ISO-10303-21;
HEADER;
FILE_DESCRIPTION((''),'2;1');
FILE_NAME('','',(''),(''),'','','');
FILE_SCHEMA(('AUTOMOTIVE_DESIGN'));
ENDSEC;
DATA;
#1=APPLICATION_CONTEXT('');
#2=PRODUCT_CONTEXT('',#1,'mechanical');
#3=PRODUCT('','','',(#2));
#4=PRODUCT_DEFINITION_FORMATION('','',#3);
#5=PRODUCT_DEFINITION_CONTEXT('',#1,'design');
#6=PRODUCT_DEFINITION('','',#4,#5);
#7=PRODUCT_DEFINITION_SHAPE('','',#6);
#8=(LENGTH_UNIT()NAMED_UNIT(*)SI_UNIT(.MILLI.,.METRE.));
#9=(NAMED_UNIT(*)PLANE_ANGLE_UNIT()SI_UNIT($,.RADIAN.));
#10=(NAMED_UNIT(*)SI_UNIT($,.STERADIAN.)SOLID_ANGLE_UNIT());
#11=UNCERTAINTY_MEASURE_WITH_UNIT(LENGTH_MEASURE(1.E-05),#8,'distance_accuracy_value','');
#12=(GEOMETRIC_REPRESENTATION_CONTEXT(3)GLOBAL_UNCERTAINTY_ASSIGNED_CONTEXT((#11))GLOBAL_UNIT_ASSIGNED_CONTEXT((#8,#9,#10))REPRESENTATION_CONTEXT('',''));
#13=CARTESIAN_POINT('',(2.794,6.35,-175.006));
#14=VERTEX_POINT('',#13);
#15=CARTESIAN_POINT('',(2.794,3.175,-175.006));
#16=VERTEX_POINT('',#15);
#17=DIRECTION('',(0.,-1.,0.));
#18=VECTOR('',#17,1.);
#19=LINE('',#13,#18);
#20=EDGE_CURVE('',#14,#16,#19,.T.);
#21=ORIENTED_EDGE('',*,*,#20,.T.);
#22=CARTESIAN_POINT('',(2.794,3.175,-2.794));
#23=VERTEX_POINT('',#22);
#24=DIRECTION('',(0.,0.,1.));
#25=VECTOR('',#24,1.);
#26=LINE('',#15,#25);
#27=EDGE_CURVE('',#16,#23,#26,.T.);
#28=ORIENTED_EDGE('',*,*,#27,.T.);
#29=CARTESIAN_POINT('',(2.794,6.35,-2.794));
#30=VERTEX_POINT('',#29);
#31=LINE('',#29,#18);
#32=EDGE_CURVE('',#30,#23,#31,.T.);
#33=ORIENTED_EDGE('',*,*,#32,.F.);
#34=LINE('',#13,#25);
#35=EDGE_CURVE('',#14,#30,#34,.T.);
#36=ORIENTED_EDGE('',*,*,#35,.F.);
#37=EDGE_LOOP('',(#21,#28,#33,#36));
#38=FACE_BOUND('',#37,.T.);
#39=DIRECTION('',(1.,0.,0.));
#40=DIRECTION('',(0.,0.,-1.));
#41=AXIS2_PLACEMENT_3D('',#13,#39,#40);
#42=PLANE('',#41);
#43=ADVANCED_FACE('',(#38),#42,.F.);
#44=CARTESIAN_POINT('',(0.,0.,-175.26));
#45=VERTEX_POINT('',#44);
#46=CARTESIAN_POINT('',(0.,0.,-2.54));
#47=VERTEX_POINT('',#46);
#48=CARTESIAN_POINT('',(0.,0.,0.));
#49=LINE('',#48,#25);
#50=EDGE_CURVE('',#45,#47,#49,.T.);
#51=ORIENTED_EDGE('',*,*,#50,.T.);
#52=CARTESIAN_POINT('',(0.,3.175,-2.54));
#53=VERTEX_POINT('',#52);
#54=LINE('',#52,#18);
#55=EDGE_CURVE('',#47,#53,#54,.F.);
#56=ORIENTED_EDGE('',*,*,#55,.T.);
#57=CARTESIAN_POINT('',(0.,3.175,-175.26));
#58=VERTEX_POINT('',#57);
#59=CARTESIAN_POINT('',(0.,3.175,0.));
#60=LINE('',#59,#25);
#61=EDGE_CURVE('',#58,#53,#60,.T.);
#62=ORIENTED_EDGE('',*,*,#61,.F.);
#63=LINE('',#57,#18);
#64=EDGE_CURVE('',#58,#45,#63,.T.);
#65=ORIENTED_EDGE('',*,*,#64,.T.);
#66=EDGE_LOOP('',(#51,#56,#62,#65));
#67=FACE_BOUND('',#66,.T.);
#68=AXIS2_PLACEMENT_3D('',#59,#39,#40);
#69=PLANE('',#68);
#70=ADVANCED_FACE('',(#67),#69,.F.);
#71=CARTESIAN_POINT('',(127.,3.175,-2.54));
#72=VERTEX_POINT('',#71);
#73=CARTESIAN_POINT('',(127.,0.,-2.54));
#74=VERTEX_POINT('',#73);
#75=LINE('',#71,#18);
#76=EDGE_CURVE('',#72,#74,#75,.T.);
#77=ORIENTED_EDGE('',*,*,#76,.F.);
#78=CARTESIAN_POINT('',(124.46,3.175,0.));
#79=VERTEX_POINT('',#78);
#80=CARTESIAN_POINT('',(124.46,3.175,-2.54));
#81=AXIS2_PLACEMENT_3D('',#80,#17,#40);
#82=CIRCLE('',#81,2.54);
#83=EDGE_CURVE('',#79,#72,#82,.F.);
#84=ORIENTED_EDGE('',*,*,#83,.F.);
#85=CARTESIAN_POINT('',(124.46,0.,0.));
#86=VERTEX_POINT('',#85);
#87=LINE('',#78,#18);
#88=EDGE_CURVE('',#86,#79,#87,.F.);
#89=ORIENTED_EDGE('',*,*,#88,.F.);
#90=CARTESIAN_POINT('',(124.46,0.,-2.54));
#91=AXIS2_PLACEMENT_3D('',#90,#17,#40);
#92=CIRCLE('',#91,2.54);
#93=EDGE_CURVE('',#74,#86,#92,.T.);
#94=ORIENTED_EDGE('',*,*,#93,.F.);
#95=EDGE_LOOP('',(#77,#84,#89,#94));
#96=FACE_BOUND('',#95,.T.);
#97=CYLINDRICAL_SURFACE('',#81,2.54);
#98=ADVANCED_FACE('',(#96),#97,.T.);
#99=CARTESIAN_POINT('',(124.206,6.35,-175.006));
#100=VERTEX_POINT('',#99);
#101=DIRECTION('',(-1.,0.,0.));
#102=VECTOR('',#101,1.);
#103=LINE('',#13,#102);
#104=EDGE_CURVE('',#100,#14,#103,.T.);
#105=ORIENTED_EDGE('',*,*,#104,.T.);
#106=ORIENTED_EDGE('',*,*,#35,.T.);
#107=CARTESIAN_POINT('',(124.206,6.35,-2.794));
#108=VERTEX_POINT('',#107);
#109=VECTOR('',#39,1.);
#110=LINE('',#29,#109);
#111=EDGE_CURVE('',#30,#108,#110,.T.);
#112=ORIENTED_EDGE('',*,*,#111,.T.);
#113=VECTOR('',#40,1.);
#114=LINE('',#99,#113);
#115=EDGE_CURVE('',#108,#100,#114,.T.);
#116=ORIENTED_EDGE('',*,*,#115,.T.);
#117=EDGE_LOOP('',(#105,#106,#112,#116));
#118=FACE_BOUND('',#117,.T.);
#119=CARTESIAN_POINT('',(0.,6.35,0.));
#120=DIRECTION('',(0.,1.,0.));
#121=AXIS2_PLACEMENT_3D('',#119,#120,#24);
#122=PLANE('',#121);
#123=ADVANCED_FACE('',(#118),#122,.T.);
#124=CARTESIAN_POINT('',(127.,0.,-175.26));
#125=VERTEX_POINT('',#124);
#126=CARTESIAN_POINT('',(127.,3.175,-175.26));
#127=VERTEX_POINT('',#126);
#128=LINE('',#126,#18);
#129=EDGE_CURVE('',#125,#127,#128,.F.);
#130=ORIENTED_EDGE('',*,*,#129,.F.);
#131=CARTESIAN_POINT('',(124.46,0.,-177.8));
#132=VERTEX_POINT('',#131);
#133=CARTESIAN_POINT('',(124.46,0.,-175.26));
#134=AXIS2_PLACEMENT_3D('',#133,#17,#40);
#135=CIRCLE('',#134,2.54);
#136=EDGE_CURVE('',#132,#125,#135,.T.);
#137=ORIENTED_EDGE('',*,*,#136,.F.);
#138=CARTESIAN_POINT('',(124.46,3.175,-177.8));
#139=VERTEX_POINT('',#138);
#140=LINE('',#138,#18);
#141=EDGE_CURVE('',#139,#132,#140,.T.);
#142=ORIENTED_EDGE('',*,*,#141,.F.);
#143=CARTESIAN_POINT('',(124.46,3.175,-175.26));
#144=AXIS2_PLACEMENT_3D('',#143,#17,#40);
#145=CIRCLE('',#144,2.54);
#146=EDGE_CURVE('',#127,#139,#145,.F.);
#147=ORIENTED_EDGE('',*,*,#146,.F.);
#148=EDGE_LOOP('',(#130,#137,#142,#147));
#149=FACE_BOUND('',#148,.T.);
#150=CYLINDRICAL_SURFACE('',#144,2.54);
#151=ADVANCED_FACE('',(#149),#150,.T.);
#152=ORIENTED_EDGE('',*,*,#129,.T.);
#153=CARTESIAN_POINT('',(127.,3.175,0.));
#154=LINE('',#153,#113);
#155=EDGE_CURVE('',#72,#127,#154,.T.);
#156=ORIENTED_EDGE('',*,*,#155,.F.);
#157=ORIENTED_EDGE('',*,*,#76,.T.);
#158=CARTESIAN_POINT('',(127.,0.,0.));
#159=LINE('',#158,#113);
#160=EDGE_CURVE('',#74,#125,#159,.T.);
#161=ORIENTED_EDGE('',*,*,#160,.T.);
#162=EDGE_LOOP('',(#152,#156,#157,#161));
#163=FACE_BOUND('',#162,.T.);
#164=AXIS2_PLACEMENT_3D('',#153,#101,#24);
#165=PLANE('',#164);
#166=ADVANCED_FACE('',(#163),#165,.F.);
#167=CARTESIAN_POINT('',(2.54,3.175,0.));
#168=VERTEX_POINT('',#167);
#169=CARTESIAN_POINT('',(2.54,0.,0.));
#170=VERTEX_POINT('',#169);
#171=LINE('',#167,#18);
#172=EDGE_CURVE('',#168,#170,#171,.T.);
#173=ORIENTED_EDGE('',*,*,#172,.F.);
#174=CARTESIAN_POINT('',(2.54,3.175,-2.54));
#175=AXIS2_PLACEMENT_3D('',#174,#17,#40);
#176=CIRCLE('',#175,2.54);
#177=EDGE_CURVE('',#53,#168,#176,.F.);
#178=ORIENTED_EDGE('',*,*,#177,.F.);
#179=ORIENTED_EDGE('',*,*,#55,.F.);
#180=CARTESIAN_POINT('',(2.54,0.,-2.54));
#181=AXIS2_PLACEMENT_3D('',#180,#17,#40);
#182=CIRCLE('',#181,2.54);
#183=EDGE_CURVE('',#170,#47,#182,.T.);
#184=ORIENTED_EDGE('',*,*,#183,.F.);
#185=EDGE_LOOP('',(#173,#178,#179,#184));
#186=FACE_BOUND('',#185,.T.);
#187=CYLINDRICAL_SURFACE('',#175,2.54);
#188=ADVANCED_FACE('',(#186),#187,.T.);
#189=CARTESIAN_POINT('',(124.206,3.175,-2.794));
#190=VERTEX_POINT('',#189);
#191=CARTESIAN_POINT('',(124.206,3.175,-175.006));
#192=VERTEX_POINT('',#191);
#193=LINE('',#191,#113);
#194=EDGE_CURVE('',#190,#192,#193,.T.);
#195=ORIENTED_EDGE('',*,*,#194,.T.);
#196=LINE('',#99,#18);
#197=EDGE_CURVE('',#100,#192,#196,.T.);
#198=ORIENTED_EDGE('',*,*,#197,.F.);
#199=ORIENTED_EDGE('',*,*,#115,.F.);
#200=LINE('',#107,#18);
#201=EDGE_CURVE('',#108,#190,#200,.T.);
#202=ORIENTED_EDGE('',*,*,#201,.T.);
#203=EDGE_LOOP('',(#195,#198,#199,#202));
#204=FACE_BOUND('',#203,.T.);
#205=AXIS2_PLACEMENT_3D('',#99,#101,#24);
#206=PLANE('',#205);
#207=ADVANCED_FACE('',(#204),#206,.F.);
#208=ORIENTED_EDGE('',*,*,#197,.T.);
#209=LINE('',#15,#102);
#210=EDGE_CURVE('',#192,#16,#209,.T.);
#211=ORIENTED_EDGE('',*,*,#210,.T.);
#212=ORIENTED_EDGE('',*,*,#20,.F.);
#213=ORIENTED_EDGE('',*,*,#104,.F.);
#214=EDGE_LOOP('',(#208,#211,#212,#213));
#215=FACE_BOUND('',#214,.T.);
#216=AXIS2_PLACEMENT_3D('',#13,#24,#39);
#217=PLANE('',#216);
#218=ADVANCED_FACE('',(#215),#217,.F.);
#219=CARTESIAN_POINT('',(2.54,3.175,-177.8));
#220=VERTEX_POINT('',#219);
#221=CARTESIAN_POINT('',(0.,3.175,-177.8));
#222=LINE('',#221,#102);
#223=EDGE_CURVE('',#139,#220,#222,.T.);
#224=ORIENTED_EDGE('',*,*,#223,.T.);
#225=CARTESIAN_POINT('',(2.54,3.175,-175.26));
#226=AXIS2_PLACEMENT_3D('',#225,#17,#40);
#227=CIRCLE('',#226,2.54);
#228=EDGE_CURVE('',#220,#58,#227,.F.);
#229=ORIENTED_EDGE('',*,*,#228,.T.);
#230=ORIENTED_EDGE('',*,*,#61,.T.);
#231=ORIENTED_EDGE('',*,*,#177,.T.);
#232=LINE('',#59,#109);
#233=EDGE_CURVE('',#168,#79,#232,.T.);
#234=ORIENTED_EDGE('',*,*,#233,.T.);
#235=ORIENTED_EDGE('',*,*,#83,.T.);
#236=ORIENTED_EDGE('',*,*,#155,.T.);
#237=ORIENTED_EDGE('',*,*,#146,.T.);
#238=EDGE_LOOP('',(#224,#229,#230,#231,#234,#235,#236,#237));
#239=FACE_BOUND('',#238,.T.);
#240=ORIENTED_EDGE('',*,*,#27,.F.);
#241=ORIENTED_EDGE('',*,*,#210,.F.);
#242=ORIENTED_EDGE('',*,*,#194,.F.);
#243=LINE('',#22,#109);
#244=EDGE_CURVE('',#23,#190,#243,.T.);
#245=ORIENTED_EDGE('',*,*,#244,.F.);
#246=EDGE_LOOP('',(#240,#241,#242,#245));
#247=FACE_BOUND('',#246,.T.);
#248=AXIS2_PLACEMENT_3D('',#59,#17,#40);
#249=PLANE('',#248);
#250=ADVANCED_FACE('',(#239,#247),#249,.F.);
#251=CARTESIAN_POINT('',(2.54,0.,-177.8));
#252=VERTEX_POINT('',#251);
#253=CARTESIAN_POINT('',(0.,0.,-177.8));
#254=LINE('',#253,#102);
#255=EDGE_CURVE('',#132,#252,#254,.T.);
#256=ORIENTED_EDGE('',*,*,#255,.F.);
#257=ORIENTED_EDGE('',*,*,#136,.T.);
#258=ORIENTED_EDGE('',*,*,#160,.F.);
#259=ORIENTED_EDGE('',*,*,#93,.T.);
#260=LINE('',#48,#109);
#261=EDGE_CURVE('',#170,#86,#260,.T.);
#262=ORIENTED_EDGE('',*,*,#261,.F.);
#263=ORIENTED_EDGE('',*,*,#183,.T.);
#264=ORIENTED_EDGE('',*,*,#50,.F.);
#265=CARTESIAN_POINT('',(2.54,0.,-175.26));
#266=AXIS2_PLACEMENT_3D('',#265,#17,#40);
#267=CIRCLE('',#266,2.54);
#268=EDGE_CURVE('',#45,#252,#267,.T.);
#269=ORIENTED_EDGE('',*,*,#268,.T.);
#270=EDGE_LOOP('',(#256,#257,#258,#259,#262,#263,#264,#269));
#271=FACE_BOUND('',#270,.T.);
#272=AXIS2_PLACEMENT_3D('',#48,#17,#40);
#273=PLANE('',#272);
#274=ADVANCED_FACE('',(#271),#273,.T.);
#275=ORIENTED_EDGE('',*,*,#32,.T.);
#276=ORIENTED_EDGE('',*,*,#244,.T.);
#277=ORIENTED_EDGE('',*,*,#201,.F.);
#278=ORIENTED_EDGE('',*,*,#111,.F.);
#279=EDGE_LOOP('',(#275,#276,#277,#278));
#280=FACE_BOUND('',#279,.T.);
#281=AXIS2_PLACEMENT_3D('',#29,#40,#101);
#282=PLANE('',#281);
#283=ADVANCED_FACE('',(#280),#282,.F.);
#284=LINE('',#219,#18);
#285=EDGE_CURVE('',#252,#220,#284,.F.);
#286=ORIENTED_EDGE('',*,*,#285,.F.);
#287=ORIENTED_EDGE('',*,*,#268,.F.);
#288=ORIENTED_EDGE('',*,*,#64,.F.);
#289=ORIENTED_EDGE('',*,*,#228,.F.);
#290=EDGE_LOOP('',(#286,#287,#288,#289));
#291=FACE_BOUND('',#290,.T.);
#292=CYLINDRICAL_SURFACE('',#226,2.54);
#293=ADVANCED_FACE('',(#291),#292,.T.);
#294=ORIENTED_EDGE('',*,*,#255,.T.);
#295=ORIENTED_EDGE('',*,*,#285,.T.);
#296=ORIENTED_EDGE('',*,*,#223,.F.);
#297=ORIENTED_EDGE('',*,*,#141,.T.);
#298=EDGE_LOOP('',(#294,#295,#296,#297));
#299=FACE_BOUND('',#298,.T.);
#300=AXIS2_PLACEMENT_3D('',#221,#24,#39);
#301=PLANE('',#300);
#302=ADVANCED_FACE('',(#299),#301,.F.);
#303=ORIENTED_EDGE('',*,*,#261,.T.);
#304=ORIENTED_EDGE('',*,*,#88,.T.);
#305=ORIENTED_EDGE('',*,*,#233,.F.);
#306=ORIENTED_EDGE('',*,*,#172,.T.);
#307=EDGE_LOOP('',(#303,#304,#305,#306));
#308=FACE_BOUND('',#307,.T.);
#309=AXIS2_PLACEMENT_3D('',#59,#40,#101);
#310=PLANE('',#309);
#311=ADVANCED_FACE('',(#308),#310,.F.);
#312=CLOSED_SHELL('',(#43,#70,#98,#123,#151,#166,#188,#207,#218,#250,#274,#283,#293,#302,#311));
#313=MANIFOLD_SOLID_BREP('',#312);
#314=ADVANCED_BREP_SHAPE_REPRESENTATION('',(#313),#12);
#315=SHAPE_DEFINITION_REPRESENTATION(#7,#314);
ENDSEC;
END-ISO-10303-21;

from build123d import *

# Parameters (mm, degrees)
SKETCH1_W           = 127
SKETCH1_H           = 177.8
BOSS_EXTRUDE1_DEPTH = 3.175
FILLET1_R           = 2.54
SKETCH2_W           = 121.412
SKETCH2_H           = 172.212
BOSS_EXTRUDE2_DEPTH = 3.175


with BuildPart() as part:
    # Sketch1 → Boss-Extrude1 (new body)
    with BuildSketch(Plane(origin=(0, 0, 0), x_dir=(1, 0, 0), z_dir=(0, 1, 0))):
        with Locations((63.5, 88.9)):
            Rectangle(SKETCH1_W, SKETCH1_H)
    extrude(amount=BOSS_EXTRUDE1_DEPTH)

    # Fillet1
    fillet1_edges = [part.edges().sort_by_distance(p)[0] for p in [
        (0, 1.5875, -177.8),
        (127, 1.5875, -177.8),
        (127, 1.5875, 0),
        (0, 1.5875, 0),
    ]]
    fillet(fillet1_edges, radius=FILLET1_R)

    # Sketch2 → Boss-Extrude2 (add)
    with BuildSketch(Plane(origin=(0, 3.175, 0), x_dir=(1, 0, 0), z_dir=(0, 1, 0))):
        with Locations((63.5, 88.9)):
            Rectangle(SKETCH2_W, SKETCH2_H)
    extrude(amount=BOSS_EXTRUDE2_DEPTH)


solid = part.part
